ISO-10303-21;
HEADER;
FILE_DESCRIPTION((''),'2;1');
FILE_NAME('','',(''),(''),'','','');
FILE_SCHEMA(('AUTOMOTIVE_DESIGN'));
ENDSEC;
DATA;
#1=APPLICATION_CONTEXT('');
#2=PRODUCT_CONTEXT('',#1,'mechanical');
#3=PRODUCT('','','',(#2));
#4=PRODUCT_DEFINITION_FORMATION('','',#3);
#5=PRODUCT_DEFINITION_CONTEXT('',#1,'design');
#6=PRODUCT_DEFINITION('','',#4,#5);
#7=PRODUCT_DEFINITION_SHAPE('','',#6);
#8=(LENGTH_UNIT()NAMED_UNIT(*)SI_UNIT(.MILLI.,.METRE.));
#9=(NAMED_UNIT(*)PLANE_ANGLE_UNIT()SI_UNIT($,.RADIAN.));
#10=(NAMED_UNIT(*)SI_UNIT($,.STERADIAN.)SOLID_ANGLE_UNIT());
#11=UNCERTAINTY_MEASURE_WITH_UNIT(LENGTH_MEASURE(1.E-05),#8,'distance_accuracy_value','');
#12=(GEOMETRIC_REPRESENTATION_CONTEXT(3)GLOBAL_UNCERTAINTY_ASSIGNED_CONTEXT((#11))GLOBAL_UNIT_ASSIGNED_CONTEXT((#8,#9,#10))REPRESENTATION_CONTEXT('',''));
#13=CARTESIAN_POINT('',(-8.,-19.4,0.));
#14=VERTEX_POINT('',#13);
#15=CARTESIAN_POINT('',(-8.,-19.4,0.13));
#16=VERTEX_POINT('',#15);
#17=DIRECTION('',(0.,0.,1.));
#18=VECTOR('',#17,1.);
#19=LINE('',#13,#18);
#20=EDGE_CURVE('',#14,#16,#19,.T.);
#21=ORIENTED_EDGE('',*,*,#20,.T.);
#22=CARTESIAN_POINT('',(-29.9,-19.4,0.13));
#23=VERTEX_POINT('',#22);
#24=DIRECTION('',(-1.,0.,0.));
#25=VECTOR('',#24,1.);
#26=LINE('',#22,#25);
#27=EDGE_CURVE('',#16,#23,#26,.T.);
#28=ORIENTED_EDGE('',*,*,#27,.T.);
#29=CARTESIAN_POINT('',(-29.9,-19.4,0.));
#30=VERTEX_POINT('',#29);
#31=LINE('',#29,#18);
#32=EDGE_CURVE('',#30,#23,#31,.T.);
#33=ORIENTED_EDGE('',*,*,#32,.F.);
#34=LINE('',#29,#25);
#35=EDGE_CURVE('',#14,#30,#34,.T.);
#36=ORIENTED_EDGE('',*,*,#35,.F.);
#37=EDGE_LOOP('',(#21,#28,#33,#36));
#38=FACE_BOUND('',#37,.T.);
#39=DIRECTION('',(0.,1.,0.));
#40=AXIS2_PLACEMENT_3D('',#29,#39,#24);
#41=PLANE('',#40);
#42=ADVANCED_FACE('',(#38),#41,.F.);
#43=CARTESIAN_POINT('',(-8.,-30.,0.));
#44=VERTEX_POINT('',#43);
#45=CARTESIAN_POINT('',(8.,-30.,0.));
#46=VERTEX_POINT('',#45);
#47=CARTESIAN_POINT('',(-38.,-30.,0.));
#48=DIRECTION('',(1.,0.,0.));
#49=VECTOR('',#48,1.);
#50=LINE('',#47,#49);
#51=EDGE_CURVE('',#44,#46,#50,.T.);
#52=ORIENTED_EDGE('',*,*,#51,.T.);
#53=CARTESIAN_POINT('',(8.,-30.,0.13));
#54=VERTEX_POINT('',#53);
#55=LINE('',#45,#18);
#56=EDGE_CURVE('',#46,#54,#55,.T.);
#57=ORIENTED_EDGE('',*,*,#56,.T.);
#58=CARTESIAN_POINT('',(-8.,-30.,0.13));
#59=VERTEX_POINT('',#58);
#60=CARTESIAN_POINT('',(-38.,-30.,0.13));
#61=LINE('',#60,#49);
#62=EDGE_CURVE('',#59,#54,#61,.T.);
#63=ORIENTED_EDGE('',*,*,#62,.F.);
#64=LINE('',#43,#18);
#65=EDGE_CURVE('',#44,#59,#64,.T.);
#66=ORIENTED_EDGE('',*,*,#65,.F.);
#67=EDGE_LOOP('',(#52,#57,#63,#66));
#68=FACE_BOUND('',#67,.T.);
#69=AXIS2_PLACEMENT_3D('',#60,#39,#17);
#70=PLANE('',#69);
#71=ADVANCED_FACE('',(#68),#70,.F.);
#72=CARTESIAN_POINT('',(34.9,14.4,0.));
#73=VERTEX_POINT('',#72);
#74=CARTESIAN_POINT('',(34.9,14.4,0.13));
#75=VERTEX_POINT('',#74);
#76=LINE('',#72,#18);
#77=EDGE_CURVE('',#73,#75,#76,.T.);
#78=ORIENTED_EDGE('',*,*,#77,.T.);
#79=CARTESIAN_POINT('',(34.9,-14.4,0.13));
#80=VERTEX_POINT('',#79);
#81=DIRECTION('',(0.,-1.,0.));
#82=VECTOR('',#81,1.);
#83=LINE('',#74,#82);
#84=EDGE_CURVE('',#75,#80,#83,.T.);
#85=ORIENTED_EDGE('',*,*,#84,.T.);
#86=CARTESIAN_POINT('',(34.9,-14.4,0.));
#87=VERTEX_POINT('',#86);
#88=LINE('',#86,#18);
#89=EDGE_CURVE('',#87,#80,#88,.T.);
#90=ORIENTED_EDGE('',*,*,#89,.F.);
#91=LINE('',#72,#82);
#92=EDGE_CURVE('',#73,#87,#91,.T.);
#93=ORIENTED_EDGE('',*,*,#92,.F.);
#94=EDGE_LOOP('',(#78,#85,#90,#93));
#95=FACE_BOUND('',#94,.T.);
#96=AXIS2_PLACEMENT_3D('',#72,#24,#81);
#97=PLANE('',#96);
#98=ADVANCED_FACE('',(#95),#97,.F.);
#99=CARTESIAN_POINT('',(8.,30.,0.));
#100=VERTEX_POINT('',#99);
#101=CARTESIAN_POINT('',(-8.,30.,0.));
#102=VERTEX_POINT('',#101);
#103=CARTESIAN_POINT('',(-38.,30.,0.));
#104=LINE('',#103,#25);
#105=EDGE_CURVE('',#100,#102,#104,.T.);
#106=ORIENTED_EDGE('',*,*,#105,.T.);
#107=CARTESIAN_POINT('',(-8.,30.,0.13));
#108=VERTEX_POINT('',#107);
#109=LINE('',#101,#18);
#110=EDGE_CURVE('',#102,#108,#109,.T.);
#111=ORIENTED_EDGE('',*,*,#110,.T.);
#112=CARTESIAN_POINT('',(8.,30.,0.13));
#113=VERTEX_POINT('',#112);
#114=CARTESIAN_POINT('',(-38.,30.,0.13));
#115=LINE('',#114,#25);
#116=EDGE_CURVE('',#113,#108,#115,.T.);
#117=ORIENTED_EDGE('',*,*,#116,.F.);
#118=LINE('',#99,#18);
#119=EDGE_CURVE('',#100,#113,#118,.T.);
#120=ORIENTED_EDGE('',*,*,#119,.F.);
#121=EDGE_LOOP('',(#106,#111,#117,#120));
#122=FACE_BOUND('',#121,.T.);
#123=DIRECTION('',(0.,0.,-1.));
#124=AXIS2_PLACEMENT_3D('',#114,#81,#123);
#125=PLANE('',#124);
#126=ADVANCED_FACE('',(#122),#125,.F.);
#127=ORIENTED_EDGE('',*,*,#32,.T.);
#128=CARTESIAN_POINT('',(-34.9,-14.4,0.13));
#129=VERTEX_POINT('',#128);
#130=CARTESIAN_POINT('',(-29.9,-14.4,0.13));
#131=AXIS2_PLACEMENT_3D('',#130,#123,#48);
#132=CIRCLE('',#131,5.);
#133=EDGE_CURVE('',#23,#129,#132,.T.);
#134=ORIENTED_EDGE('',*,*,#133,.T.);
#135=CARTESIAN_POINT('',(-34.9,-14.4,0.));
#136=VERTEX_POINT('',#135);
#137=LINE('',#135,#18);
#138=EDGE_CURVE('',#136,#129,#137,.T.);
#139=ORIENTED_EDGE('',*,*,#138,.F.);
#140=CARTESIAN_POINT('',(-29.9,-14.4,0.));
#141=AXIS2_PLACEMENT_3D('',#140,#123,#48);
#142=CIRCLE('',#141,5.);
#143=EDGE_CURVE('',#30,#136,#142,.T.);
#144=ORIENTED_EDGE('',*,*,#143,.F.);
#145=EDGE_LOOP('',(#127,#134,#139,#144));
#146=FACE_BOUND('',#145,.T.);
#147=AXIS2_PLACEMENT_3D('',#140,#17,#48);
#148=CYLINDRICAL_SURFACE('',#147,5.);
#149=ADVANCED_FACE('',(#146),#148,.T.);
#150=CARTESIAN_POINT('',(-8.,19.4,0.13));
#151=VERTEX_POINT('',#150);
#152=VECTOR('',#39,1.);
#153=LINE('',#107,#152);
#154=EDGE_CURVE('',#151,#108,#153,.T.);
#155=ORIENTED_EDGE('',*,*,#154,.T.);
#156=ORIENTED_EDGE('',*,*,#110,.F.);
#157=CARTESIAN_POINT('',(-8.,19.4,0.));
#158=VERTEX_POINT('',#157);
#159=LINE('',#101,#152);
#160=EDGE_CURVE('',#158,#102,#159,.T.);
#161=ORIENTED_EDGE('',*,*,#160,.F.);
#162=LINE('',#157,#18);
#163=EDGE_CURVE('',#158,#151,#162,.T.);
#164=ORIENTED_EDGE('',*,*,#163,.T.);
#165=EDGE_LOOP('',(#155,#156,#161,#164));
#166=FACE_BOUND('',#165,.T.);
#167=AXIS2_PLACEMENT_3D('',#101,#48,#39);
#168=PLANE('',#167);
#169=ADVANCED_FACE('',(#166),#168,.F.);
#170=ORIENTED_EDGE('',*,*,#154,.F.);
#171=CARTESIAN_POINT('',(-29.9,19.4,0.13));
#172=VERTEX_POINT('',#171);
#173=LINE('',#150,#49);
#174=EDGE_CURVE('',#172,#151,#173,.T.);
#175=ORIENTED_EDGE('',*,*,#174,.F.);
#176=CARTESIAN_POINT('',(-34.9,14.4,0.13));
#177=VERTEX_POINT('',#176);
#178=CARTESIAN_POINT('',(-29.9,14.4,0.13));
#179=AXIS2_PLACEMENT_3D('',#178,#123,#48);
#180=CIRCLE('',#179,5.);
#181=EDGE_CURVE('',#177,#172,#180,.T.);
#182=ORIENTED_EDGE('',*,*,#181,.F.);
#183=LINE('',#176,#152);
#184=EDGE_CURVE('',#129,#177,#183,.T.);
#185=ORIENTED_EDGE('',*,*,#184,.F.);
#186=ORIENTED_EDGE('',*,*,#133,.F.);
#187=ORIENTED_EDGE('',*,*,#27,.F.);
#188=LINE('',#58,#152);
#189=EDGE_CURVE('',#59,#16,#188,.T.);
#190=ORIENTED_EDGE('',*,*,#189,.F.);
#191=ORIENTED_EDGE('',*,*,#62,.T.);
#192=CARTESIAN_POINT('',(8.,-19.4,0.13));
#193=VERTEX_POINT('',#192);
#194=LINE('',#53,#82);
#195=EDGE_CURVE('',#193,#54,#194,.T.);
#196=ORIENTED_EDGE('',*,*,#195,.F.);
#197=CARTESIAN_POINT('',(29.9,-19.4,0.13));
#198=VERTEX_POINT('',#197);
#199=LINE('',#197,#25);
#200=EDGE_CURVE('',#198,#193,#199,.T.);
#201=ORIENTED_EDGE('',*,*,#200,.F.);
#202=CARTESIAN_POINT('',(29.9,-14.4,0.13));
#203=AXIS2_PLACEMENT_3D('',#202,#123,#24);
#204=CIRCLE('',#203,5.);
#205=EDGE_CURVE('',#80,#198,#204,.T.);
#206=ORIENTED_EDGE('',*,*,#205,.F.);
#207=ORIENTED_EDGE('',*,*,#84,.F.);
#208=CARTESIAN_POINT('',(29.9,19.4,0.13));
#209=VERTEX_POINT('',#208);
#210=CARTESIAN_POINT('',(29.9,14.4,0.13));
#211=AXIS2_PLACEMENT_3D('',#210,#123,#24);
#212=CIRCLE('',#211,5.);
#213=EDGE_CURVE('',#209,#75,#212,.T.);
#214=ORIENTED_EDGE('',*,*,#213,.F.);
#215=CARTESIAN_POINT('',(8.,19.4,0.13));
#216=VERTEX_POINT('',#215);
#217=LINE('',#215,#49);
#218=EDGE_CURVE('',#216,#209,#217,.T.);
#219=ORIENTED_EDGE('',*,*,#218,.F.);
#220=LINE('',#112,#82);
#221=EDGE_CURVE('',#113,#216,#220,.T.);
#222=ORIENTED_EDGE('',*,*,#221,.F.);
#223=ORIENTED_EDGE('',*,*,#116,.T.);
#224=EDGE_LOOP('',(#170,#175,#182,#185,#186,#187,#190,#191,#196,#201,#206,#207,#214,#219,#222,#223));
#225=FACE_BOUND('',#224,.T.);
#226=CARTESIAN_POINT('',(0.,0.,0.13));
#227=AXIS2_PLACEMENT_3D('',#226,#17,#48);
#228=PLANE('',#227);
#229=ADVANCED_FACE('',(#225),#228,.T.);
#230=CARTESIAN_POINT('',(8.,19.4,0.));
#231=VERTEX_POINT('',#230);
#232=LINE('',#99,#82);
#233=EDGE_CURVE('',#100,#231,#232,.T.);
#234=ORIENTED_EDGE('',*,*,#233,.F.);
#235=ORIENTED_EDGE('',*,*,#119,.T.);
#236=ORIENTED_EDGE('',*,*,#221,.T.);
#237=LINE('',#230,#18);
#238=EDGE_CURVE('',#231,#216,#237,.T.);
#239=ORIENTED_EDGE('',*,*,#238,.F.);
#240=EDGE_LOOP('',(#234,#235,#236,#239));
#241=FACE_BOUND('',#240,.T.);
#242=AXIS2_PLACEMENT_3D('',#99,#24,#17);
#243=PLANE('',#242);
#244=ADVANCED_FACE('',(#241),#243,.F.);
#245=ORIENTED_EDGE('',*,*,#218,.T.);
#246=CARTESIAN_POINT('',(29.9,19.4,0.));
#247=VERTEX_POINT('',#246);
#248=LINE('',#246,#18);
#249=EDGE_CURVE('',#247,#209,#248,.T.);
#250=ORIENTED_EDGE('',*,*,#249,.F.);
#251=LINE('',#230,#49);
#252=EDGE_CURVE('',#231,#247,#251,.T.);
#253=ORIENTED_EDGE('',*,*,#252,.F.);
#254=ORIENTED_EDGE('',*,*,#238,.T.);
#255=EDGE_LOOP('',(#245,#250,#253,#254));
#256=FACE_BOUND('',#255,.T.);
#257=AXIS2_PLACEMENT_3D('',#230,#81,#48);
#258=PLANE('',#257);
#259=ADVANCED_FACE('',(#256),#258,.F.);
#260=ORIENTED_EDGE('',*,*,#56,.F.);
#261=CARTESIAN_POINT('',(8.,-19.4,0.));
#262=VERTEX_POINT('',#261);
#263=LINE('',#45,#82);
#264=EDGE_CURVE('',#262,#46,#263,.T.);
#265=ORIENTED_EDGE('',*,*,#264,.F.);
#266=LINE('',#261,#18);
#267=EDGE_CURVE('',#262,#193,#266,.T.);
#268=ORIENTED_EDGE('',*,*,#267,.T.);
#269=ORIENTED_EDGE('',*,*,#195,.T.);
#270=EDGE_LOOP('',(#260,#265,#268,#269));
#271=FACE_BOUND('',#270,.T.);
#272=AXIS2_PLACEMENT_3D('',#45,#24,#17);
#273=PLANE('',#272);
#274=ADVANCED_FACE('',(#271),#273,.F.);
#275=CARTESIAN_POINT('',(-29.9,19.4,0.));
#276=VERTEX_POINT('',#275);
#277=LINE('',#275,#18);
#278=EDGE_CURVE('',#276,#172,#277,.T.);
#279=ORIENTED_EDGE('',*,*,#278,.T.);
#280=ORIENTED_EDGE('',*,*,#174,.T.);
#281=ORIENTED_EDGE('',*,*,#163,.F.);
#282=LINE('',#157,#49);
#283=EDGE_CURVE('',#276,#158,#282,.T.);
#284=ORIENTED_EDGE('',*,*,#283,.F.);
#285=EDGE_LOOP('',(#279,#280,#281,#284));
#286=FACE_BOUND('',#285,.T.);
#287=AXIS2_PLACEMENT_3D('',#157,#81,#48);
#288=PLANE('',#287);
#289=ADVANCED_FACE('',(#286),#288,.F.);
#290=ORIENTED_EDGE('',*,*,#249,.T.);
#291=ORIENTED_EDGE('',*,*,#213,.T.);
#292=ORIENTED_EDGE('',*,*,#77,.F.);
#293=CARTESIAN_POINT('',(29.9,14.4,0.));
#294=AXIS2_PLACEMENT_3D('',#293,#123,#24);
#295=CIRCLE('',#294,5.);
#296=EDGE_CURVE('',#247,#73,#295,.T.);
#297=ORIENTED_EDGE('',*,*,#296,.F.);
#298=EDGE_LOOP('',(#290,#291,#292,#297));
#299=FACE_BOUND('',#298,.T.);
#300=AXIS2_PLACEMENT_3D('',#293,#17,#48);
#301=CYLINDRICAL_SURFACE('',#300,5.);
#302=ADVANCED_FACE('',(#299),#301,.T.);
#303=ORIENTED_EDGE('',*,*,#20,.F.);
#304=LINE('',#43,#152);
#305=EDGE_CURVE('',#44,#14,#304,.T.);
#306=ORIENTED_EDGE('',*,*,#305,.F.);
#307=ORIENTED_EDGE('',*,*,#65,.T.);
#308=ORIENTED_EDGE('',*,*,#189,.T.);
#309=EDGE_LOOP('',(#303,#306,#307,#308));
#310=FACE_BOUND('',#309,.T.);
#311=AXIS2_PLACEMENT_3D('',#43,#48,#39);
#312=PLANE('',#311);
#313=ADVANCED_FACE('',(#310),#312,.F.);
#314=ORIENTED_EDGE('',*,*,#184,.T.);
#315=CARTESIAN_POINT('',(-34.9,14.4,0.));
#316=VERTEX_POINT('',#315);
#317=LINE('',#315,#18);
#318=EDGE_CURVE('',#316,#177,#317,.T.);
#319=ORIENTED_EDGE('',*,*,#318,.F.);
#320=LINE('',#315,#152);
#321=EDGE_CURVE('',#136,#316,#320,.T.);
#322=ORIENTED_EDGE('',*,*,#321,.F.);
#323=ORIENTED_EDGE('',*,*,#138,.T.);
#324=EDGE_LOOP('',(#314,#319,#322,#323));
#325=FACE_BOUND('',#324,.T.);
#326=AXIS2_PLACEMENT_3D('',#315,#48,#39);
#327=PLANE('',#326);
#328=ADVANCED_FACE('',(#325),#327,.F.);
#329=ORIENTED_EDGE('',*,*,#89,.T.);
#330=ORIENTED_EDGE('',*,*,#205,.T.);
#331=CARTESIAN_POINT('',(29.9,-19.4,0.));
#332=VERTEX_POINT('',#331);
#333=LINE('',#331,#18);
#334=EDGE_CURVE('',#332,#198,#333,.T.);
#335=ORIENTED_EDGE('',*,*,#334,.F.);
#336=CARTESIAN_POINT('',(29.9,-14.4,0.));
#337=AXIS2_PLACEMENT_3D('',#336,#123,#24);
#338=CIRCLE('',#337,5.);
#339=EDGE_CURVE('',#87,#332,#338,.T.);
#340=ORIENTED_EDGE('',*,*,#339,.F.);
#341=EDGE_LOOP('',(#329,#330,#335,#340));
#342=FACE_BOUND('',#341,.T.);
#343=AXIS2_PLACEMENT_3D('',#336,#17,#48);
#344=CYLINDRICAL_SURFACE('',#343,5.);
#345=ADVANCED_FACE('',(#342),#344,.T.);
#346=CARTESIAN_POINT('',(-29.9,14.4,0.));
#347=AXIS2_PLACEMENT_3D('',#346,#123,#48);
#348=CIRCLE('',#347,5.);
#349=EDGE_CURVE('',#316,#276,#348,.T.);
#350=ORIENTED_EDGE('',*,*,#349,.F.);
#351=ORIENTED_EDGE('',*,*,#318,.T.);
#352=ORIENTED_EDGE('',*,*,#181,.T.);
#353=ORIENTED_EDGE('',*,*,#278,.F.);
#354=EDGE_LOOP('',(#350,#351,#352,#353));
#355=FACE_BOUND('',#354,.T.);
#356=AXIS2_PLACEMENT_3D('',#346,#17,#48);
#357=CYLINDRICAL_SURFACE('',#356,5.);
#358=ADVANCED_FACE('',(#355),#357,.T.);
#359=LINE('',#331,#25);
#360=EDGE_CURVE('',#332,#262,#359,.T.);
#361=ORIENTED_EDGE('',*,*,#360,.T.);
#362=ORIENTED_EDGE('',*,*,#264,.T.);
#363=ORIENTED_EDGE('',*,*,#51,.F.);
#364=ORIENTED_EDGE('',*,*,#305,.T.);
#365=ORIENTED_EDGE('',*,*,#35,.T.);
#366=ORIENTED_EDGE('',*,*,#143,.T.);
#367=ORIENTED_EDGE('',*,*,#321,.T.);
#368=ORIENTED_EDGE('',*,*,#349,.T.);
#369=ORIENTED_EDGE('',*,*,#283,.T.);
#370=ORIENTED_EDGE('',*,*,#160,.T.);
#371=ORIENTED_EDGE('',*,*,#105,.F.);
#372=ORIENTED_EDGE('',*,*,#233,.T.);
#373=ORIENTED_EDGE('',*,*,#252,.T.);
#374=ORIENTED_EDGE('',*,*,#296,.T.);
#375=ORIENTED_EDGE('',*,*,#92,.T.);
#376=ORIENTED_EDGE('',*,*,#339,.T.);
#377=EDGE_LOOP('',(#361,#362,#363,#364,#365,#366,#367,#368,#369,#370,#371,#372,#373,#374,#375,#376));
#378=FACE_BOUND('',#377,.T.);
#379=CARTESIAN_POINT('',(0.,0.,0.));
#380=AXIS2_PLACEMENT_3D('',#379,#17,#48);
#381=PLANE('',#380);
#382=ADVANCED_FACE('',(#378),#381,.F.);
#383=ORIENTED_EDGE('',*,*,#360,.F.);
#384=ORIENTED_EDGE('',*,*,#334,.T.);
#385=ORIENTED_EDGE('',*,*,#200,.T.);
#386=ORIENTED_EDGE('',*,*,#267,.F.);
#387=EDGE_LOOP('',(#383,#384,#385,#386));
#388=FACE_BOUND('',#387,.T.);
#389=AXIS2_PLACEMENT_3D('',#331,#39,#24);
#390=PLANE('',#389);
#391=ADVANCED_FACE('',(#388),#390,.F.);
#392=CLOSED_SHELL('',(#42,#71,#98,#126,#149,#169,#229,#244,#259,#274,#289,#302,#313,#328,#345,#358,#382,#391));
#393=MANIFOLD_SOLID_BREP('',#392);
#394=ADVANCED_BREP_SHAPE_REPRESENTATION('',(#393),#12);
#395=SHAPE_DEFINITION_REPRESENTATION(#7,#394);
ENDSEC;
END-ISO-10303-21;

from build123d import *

# Parameters (mm, degrees)
SKETCH_1_W          = 76
SKETCH_1_H          = 60
EXTRUDE_1_DEPTH     = 0.13
SKETCH_2_W          = 30
SKETCH_2_H          = 10
CUT_EXTRUDE_1_DEPTH = 49.41504828
CUT_EXTRUDE_2_DEPTH = 49.41504828


with BuildPart() as part:
    # 草圖1 → 填料-伸長1 (new body)
    with BuildSketch(Plane.XY):
        Rectangle(SKETCH_1_W, SKETCH_1_H)
    extrude(amount=EXTRUDE_1_DEPTH)

    # 草圖2 → 除料-伸長1 (cut, through all)
    with BuildSketch(Plane.XY.offset(0.13)):
        with Locations((-23, 25)):
            Rectangle(SKETCH_2_W, SKETCH_2_H)
        with Locations((23, 25)):
            Rectangle(SKETCH_2_W, SKETCH_2_H)
        with Locations((23, -25)):
            Rectangle(SKETCH_2_W, SKETCH_2_H)
        with Locations((-23, -25)):
            Rectangle(SKETCH_2_W, SKETCH_2_H)
    extrude(amount=-CUT_EXTRUDE_1_DEPTH, mode=Mode.SUBTRACT)

    # 草圖3 → 除料-伸長2 (cut, through all)
    with BuildSketch(Plane.XY.offset(0.13)):
        with BuildLine():
            Line((-8, 19.4), (-29.9, 19.4))
            ThreePointArc((-29.9, 19.4), (-33.435533906, 17.935533906), (-34.9, 14.4))
            Line((-34.9, 14.4), (-34.9, -14.4))
            ThreePointArc((-34.9, -14.4), (-33.435533906, -17.935533906), (-29.9, -19.4))
            Line((-29.9, -19.4), (-8, -19.4))
            Line((-8, -19.4), (-8, -20))
            Line((-8, -20), (-38, -20))
            Line((-38, -20), (-38, 20))
            Line((-38, 20), (-8, 20))
            Line((-8, 20), (-8, 19.4))
        make_face()
        with BuildLine():
            Line((8, -20), (8, -19.4))
            Line((8, -19.4), (29.9, -19.4))
            ThreePointArc((29.9, -19.4), (33.435533906, -17.935533906), (34.9, -14.4))
            Line((34.9, -14.4), (34.9, 14.4))
            ThreePointArc((34.9, 14.4), (33.435533906, 17.935533906), (29.9, 19.4))
            Line((29.9, 19.4), (8, 19.4))
            Line((8, 19.4), (8, 20))
            Line((8, 20), (38, 20))
            Line((38, 20), (38, -20))
            Line((38, -20), (8, -20))
        make_face()
    extrude(amount=-CUT_EXTRUDE_2_DEPTH, mode=Mode.SUBTRACT)


solid = part.part
